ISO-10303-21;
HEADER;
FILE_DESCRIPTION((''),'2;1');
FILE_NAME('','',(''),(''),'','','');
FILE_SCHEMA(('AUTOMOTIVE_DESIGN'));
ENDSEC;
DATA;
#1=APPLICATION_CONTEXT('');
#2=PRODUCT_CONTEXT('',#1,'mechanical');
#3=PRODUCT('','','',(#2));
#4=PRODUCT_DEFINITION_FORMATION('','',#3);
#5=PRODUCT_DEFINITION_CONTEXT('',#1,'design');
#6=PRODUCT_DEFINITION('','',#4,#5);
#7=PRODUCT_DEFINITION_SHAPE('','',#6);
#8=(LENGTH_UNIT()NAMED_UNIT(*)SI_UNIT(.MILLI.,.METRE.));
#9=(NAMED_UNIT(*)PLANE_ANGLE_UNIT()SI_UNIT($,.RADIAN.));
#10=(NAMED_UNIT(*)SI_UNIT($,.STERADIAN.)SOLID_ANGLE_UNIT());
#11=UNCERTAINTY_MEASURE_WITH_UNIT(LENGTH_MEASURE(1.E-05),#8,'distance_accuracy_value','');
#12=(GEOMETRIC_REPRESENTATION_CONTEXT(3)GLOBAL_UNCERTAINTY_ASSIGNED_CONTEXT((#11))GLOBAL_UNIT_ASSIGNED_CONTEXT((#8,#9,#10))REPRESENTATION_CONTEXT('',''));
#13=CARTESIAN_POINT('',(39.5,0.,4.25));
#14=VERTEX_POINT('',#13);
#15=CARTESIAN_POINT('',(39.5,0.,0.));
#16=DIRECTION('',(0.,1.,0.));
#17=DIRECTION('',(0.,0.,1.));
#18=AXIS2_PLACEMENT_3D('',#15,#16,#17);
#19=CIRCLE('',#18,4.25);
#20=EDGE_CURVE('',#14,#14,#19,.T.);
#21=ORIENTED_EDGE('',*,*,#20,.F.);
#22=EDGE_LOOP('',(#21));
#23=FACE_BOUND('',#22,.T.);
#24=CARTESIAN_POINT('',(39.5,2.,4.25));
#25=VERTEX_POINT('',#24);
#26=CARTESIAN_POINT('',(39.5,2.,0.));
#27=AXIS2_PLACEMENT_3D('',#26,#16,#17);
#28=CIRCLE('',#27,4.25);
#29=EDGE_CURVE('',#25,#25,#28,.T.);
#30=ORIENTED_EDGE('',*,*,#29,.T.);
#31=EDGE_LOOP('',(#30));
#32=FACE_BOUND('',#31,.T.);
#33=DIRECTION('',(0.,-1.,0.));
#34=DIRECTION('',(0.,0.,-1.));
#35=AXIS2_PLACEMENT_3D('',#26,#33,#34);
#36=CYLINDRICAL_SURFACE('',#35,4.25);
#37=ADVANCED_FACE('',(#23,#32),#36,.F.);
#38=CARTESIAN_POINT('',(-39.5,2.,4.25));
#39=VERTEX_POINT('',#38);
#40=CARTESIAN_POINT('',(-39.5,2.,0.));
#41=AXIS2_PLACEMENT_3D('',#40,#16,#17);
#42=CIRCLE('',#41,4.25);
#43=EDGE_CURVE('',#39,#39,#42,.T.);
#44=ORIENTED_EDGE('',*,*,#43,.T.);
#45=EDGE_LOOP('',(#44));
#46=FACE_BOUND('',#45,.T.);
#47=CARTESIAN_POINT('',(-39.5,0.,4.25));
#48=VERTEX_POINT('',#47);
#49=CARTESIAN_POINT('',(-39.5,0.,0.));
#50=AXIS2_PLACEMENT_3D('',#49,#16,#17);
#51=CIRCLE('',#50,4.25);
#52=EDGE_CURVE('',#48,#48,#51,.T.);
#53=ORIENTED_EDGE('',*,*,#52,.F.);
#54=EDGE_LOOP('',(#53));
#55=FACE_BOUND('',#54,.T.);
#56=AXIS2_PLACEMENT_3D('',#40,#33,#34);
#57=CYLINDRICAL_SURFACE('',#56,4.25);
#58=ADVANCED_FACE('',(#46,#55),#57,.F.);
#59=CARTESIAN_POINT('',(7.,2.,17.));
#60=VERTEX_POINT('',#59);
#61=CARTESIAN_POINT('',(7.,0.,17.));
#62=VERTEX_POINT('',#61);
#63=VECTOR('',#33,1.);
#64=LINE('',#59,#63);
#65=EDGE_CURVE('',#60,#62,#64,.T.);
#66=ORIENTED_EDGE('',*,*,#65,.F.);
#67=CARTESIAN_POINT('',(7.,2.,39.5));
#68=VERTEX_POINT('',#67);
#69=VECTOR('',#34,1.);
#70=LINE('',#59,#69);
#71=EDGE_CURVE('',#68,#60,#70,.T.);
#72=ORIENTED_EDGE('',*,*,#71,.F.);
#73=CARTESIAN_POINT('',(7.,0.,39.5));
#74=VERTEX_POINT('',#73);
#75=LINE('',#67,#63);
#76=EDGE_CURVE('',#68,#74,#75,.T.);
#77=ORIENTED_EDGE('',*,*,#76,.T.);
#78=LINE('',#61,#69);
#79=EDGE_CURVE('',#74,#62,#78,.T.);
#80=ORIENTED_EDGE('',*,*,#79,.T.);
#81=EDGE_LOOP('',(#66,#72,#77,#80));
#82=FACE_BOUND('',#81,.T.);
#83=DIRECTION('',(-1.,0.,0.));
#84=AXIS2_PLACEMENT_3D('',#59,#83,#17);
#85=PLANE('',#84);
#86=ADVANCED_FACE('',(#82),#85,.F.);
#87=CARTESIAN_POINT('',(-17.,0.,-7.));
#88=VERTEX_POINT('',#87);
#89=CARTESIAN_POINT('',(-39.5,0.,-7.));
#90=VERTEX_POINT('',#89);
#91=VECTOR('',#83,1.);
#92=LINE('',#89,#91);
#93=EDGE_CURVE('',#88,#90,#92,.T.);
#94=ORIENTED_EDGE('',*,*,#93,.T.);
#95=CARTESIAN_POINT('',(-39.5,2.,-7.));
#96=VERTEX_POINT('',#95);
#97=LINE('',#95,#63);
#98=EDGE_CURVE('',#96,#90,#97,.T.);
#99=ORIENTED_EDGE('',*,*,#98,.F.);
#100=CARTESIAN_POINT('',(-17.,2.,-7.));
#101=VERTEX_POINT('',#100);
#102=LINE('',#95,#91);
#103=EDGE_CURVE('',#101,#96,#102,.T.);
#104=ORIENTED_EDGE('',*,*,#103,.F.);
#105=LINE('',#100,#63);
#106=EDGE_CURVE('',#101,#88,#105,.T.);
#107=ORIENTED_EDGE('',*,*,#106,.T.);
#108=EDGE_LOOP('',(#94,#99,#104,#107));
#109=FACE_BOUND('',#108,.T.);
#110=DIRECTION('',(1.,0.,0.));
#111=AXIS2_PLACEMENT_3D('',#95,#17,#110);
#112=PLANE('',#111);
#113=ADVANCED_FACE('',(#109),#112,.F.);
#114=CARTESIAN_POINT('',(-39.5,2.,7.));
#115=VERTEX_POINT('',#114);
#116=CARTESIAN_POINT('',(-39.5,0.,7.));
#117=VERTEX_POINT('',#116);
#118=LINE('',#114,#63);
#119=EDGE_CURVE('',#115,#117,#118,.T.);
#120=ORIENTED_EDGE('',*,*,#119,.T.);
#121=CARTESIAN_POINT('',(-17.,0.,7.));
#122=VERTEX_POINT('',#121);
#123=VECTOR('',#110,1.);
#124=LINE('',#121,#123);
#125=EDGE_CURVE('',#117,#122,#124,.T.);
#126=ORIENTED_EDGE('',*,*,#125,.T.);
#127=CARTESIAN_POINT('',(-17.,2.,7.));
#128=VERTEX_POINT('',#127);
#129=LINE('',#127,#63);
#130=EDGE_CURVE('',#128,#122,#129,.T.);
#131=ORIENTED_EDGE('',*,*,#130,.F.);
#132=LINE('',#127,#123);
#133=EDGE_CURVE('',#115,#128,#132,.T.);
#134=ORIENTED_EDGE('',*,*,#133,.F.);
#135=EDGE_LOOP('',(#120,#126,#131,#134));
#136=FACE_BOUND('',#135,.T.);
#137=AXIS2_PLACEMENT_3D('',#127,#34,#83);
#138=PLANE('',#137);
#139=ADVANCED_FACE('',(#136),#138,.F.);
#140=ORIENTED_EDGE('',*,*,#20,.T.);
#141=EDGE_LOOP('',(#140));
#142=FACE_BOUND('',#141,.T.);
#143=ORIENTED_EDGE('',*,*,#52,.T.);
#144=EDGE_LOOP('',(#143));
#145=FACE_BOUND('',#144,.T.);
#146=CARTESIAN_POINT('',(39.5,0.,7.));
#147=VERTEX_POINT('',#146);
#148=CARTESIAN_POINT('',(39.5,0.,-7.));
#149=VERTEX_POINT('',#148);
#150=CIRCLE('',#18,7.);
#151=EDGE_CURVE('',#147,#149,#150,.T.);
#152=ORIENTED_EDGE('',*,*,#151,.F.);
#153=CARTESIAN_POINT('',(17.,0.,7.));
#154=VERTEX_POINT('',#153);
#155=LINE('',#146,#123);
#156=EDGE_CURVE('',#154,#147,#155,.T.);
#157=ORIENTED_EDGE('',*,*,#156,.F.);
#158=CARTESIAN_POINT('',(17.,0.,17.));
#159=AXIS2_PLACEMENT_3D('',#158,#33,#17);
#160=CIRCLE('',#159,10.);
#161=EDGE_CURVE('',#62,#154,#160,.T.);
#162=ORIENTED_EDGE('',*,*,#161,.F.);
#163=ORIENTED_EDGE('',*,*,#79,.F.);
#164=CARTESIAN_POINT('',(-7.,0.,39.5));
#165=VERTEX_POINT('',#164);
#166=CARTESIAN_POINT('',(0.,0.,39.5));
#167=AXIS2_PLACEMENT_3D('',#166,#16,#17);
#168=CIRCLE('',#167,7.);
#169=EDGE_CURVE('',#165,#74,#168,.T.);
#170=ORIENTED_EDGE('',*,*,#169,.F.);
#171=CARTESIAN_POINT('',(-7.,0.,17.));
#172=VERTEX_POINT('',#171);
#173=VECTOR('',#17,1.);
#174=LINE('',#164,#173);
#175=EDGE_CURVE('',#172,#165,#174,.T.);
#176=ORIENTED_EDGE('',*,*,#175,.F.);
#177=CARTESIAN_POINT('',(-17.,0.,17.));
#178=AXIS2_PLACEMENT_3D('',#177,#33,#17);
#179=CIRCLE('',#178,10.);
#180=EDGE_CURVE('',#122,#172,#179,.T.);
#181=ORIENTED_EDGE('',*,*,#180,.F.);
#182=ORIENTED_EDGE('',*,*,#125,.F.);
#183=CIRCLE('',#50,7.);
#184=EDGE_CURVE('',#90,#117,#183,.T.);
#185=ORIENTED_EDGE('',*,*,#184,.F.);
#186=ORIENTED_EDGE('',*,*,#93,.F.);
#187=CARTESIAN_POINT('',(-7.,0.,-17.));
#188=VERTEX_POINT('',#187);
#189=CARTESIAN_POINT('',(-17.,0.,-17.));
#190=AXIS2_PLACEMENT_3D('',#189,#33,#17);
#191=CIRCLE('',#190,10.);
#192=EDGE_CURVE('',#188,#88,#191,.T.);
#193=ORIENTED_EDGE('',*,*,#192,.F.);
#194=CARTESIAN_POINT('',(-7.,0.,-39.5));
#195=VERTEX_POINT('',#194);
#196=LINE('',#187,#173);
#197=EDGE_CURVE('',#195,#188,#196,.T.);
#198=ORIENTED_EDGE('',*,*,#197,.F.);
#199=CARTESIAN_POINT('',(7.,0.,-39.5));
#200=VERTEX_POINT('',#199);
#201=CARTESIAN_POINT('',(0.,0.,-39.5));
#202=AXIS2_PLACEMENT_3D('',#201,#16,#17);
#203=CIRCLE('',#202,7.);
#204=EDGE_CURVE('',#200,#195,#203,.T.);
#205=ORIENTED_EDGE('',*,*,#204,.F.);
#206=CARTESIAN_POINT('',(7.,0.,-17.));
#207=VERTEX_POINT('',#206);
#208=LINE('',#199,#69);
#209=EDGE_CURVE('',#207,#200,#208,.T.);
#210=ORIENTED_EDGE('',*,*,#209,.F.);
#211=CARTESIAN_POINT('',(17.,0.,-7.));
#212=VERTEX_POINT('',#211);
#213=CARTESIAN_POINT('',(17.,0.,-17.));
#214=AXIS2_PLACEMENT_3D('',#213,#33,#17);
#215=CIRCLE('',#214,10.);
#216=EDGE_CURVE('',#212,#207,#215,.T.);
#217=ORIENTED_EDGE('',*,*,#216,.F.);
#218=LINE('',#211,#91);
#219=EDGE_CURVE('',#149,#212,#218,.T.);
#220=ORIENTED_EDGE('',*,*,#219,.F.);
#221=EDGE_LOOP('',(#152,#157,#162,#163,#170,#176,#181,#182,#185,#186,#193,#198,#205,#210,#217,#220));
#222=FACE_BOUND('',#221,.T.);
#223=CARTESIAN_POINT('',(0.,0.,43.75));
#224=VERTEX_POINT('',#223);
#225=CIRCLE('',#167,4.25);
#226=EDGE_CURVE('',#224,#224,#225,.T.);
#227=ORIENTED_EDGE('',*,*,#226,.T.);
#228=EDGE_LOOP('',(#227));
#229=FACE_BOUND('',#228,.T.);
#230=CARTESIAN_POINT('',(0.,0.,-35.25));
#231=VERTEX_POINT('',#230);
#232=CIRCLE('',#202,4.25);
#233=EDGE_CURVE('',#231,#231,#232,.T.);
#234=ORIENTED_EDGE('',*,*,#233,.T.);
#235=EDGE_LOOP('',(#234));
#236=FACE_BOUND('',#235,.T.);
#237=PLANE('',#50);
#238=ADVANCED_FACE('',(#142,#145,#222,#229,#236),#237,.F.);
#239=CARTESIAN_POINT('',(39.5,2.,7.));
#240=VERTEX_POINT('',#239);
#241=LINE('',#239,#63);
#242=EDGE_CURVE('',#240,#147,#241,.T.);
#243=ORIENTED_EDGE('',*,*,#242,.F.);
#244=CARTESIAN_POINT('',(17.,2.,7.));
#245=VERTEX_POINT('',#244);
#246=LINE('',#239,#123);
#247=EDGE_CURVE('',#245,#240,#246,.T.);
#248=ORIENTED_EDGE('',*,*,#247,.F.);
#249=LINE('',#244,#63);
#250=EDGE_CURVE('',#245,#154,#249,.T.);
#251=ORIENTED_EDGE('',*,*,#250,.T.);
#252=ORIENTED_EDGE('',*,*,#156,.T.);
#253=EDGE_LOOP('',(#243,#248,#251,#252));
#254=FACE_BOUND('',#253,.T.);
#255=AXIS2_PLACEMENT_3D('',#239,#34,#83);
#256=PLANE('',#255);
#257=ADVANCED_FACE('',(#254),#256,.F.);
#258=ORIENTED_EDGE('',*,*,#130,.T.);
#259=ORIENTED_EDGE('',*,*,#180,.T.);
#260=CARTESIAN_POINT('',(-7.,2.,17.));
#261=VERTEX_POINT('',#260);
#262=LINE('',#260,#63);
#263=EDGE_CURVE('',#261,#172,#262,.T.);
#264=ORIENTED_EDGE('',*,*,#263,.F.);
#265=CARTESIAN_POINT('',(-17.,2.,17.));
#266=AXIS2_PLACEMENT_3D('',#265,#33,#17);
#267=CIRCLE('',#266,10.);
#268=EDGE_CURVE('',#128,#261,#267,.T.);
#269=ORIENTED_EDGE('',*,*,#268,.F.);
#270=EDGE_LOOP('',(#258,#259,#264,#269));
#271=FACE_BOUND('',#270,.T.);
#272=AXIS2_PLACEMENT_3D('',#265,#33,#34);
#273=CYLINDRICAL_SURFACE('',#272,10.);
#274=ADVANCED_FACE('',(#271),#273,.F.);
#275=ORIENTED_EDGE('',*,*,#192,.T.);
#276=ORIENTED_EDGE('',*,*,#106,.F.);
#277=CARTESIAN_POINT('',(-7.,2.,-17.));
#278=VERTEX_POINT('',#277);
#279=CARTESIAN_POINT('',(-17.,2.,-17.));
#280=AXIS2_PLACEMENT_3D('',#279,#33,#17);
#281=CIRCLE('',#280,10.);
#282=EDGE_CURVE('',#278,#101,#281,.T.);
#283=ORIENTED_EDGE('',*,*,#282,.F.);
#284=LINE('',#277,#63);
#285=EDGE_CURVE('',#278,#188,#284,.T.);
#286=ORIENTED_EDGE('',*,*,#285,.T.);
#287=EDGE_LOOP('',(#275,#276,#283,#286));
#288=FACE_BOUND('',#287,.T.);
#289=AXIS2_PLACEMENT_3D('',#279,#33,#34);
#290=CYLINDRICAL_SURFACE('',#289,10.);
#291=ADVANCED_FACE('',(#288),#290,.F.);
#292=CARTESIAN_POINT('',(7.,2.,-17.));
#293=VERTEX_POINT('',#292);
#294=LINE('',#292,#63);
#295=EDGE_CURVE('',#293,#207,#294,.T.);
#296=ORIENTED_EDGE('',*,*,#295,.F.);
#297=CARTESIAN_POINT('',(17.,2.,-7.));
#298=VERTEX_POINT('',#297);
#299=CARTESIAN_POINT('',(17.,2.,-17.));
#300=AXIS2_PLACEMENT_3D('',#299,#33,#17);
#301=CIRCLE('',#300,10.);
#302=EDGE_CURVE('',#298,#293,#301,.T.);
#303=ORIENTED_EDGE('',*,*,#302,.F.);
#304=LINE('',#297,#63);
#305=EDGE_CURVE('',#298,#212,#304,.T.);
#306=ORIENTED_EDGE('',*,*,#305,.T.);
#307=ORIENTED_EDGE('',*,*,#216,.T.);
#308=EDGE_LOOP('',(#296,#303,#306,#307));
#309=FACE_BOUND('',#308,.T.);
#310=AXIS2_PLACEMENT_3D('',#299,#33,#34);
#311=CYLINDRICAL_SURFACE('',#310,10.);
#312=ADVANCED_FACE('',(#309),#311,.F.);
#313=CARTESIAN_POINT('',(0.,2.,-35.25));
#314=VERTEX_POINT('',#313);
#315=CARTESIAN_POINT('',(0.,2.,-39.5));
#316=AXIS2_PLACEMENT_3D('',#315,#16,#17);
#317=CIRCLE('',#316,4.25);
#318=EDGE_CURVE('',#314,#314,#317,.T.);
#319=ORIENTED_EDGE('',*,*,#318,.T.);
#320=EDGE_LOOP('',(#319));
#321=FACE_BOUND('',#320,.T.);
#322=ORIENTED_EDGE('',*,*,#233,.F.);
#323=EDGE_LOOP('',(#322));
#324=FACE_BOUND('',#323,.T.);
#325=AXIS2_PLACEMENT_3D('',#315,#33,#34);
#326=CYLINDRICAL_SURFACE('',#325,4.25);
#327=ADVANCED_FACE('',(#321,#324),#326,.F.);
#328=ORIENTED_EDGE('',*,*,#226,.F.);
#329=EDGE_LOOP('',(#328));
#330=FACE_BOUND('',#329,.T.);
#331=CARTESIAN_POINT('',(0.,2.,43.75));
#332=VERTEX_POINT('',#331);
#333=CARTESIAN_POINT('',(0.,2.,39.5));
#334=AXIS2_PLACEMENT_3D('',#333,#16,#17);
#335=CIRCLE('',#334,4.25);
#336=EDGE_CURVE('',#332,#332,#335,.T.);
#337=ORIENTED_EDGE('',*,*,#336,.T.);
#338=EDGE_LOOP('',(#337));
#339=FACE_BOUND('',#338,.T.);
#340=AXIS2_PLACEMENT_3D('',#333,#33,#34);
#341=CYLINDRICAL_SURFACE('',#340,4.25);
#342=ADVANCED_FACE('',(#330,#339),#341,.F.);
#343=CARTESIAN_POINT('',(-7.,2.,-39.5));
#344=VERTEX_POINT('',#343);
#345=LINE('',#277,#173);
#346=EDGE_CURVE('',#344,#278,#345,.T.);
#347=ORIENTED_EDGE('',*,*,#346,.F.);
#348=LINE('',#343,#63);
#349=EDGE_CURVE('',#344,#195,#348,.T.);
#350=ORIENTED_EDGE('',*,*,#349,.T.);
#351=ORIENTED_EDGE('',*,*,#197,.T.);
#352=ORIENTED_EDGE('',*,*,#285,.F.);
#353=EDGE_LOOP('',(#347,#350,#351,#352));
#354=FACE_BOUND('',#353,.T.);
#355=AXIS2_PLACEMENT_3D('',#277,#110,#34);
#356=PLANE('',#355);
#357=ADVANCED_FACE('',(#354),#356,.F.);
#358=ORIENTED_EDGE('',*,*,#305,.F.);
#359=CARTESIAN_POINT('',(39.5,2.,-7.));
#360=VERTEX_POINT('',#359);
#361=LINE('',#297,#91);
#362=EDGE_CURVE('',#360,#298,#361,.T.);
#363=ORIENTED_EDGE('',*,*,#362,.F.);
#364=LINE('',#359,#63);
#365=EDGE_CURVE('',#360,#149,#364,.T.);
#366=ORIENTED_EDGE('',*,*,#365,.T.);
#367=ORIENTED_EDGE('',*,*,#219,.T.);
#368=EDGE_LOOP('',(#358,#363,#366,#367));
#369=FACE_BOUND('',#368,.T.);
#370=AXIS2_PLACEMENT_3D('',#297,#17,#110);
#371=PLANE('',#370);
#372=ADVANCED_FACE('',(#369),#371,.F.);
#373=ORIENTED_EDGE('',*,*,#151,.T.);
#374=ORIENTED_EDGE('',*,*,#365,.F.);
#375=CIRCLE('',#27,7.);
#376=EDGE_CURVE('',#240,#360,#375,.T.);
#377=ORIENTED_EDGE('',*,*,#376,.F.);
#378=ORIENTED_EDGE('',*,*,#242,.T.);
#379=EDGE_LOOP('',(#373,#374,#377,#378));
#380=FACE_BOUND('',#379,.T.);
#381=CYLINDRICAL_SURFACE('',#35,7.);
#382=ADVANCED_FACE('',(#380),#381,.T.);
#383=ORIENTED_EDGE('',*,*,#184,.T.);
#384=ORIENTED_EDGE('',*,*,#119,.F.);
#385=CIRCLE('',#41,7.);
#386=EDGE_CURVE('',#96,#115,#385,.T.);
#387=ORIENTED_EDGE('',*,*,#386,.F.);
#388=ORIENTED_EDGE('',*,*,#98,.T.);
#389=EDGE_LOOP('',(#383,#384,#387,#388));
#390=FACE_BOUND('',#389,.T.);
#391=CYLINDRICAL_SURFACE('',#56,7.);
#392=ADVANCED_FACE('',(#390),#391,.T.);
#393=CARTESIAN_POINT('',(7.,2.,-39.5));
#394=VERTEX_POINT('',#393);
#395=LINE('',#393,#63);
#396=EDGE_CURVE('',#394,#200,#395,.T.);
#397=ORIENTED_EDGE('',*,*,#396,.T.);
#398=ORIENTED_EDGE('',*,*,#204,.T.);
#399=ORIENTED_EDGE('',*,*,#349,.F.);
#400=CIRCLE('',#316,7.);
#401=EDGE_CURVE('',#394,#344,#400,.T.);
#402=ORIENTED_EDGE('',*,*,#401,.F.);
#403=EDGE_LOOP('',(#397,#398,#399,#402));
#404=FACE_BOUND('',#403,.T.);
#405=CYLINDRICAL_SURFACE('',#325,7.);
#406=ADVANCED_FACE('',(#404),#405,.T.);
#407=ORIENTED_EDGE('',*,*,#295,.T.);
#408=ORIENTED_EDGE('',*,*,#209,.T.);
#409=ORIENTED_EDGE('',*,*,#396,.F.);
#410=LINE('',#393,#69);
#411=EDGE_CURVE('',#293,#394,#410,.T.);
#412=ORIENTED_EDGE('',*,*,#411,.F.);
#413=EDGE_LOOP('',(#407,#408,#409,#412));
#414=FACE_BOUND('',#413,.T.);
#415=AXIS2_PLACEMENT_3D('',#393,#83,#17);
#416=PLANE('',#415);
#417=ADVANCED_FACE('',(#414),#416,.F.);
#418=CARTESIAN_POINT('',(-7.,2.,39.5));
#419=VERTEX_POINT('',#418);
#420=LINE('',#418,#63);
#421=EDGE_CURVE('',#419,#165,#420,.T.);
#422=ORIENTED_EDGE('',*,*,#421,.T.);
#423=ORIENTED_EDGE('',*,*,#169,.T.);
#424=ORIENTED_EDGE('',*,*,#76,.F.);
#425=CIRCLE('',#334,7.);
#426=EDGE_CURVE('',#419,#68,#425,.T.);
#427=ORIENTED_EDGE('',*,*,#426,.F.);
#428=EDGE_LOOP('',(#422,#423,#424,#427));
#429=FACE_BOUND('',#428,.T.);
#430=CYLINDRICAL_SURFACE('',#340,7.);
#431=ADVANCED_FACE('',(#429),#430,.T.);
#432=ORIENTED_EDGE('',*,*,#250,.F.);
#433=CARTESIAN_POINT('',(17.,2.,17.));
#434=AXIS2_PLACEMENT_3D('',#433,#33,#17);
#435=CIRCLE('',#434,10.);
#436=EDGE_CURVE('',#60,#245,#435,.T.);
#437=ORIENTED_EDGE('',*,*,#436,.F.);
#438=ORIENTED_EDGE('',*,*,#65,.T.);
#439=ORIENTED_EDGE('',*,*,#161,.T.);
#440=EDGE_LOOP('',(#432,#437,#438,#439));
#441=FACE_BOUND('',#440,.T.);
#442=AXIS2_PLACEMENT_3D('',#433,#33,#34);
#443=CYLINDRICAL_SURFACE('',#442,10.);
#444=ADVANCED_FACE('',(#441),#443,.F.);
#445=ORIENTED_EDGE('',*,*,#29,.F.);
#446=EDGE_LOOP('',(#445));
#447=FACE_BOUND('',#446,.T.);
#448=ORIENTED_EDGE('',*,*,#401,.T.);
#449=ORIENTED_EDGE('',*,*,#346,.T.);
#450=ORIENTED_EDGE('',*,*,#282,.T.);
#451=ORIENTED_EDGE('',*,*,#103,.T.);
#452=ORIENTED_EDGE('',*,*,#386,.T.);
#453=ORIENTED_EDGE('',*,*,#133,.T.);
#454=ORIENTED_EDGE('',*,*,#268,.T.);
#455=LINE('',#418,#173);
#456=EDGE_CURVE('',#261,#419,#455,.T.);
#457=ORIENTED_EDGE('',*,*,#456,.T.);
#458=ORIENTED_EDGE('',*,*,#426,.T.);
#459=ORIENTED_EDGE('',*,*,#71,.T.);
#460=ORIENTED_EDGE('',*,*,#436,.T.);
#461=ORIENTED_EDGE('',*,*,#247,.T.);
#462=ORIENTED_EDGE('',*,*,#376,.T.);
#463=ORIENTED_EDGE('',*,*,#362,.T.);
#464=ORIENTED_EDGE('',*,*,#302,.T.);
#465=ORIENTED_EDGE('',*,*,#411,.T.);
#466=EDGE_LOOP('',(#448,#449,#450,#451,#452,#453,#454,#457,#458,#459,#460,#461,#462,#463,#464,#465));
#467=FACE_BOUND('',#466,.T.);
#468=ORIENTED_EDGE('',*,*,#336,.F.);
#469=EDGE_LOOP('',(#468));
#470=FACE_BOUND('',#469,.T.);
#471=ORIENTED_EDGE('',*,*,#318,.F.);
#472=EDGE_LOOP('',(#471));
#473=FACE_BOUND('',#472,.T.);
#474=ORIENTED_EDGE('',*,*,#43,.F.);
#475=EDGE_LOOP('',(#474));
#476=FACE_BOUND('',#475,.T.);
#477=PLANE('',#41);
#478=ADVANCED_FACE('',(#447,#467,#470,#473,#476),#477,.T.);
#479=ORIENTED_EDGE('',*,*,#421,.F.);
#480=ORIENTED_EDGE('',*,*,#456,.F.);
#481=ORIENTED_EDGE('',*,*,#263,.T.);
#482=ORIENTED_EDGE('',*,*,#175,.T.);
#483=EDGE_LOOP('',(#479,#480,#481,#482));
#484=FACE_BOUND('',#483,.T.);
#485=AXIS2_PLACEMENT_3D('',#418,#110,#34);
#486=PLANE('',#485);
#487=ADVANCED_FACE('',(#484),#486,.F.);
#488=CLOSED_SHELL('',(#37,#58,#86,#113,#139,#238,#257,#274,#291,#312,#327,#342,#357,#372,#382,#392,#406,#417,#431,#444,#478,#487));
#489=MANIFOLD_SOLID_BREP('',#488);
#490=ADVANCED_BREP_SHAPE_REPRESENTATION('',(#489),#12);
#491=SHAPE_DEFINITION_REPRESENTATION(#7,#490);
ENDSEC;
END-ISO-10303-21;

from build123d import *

# Parameters (mm, degrees)
SKETCH1_R           = 4.25
BOSS_EXTRUDE1_DEPTH = 2


with BuildPart() as part:
    # Sketch1 → Boss-Extrude1 (new body)
    with BuildSketch(Plane(origin=(0, 0, 0), x_dir=(1, 0, 0), z_dir=(0, 1, 0))):
        with BuildLine():
            Line((-39.5, 7), (-17, 7))
            ThreePointArc((-17, 7), (-9.928932188, 9.928932188), (-7, 17))
            Line((-7, 17), (-7, 39.5))
            ThreePointArc((-7, 39.5), (0, 46.5), (7, 39.5))
            Line((7, 39.5), (7, 17))
            ThreePointArc((7, 17), (9.928932188, 9.928932188), (17, 7))
            Line((17, 7), (39.5, 7))
            ThreePointArc((39.5, 7), (46.5, 0), (39.5, -7))
            Line((39.5, -7), (17, -7))
            ThreePointArc((17, -7), (9.928932188, -9.928932188), (7, -17))
            Line((7, -17), (7, -39.5))
            ThreePointArc((7, -39.5), (0, -46.5), (-7, -39.5))
            Line((-7, -39.5), (-7, -17))
            ThreePointArc((-7, -17), (-9.928932188, -9.928932188), (-17, -7))
            Line((-17, -7), (-39.5, -7))
            ThreePointArc((-39.5, -7), (-46.5, 0), (-39.5, 7))
        make_face()
        with Locations(Location((0, 39.5, 0), (0, 0, 270))):
            Circle(SKETCH1_R, mode=Mode.SUBTRACT)
        with Locations(Location((39.5, 0, 0), (0, 0, 270))):
            Circle(SKETCH1_R, mode=Mode.SUBTRACT)
        with Locations(Location((0, -39.5, 0), (0, 0, 270))):
            Circle(SKETCH1_R, mode=Mode.SUBTRACT)
        with Locations(Location((-39.5, 0, 0), (0, 0, 270))):
            Circle(SKETCH1_R, mode=Mode.SUBTRACT)
    extrude(amount=BOSS_EXTRUDE1_DEPTH)


solid = part.part
